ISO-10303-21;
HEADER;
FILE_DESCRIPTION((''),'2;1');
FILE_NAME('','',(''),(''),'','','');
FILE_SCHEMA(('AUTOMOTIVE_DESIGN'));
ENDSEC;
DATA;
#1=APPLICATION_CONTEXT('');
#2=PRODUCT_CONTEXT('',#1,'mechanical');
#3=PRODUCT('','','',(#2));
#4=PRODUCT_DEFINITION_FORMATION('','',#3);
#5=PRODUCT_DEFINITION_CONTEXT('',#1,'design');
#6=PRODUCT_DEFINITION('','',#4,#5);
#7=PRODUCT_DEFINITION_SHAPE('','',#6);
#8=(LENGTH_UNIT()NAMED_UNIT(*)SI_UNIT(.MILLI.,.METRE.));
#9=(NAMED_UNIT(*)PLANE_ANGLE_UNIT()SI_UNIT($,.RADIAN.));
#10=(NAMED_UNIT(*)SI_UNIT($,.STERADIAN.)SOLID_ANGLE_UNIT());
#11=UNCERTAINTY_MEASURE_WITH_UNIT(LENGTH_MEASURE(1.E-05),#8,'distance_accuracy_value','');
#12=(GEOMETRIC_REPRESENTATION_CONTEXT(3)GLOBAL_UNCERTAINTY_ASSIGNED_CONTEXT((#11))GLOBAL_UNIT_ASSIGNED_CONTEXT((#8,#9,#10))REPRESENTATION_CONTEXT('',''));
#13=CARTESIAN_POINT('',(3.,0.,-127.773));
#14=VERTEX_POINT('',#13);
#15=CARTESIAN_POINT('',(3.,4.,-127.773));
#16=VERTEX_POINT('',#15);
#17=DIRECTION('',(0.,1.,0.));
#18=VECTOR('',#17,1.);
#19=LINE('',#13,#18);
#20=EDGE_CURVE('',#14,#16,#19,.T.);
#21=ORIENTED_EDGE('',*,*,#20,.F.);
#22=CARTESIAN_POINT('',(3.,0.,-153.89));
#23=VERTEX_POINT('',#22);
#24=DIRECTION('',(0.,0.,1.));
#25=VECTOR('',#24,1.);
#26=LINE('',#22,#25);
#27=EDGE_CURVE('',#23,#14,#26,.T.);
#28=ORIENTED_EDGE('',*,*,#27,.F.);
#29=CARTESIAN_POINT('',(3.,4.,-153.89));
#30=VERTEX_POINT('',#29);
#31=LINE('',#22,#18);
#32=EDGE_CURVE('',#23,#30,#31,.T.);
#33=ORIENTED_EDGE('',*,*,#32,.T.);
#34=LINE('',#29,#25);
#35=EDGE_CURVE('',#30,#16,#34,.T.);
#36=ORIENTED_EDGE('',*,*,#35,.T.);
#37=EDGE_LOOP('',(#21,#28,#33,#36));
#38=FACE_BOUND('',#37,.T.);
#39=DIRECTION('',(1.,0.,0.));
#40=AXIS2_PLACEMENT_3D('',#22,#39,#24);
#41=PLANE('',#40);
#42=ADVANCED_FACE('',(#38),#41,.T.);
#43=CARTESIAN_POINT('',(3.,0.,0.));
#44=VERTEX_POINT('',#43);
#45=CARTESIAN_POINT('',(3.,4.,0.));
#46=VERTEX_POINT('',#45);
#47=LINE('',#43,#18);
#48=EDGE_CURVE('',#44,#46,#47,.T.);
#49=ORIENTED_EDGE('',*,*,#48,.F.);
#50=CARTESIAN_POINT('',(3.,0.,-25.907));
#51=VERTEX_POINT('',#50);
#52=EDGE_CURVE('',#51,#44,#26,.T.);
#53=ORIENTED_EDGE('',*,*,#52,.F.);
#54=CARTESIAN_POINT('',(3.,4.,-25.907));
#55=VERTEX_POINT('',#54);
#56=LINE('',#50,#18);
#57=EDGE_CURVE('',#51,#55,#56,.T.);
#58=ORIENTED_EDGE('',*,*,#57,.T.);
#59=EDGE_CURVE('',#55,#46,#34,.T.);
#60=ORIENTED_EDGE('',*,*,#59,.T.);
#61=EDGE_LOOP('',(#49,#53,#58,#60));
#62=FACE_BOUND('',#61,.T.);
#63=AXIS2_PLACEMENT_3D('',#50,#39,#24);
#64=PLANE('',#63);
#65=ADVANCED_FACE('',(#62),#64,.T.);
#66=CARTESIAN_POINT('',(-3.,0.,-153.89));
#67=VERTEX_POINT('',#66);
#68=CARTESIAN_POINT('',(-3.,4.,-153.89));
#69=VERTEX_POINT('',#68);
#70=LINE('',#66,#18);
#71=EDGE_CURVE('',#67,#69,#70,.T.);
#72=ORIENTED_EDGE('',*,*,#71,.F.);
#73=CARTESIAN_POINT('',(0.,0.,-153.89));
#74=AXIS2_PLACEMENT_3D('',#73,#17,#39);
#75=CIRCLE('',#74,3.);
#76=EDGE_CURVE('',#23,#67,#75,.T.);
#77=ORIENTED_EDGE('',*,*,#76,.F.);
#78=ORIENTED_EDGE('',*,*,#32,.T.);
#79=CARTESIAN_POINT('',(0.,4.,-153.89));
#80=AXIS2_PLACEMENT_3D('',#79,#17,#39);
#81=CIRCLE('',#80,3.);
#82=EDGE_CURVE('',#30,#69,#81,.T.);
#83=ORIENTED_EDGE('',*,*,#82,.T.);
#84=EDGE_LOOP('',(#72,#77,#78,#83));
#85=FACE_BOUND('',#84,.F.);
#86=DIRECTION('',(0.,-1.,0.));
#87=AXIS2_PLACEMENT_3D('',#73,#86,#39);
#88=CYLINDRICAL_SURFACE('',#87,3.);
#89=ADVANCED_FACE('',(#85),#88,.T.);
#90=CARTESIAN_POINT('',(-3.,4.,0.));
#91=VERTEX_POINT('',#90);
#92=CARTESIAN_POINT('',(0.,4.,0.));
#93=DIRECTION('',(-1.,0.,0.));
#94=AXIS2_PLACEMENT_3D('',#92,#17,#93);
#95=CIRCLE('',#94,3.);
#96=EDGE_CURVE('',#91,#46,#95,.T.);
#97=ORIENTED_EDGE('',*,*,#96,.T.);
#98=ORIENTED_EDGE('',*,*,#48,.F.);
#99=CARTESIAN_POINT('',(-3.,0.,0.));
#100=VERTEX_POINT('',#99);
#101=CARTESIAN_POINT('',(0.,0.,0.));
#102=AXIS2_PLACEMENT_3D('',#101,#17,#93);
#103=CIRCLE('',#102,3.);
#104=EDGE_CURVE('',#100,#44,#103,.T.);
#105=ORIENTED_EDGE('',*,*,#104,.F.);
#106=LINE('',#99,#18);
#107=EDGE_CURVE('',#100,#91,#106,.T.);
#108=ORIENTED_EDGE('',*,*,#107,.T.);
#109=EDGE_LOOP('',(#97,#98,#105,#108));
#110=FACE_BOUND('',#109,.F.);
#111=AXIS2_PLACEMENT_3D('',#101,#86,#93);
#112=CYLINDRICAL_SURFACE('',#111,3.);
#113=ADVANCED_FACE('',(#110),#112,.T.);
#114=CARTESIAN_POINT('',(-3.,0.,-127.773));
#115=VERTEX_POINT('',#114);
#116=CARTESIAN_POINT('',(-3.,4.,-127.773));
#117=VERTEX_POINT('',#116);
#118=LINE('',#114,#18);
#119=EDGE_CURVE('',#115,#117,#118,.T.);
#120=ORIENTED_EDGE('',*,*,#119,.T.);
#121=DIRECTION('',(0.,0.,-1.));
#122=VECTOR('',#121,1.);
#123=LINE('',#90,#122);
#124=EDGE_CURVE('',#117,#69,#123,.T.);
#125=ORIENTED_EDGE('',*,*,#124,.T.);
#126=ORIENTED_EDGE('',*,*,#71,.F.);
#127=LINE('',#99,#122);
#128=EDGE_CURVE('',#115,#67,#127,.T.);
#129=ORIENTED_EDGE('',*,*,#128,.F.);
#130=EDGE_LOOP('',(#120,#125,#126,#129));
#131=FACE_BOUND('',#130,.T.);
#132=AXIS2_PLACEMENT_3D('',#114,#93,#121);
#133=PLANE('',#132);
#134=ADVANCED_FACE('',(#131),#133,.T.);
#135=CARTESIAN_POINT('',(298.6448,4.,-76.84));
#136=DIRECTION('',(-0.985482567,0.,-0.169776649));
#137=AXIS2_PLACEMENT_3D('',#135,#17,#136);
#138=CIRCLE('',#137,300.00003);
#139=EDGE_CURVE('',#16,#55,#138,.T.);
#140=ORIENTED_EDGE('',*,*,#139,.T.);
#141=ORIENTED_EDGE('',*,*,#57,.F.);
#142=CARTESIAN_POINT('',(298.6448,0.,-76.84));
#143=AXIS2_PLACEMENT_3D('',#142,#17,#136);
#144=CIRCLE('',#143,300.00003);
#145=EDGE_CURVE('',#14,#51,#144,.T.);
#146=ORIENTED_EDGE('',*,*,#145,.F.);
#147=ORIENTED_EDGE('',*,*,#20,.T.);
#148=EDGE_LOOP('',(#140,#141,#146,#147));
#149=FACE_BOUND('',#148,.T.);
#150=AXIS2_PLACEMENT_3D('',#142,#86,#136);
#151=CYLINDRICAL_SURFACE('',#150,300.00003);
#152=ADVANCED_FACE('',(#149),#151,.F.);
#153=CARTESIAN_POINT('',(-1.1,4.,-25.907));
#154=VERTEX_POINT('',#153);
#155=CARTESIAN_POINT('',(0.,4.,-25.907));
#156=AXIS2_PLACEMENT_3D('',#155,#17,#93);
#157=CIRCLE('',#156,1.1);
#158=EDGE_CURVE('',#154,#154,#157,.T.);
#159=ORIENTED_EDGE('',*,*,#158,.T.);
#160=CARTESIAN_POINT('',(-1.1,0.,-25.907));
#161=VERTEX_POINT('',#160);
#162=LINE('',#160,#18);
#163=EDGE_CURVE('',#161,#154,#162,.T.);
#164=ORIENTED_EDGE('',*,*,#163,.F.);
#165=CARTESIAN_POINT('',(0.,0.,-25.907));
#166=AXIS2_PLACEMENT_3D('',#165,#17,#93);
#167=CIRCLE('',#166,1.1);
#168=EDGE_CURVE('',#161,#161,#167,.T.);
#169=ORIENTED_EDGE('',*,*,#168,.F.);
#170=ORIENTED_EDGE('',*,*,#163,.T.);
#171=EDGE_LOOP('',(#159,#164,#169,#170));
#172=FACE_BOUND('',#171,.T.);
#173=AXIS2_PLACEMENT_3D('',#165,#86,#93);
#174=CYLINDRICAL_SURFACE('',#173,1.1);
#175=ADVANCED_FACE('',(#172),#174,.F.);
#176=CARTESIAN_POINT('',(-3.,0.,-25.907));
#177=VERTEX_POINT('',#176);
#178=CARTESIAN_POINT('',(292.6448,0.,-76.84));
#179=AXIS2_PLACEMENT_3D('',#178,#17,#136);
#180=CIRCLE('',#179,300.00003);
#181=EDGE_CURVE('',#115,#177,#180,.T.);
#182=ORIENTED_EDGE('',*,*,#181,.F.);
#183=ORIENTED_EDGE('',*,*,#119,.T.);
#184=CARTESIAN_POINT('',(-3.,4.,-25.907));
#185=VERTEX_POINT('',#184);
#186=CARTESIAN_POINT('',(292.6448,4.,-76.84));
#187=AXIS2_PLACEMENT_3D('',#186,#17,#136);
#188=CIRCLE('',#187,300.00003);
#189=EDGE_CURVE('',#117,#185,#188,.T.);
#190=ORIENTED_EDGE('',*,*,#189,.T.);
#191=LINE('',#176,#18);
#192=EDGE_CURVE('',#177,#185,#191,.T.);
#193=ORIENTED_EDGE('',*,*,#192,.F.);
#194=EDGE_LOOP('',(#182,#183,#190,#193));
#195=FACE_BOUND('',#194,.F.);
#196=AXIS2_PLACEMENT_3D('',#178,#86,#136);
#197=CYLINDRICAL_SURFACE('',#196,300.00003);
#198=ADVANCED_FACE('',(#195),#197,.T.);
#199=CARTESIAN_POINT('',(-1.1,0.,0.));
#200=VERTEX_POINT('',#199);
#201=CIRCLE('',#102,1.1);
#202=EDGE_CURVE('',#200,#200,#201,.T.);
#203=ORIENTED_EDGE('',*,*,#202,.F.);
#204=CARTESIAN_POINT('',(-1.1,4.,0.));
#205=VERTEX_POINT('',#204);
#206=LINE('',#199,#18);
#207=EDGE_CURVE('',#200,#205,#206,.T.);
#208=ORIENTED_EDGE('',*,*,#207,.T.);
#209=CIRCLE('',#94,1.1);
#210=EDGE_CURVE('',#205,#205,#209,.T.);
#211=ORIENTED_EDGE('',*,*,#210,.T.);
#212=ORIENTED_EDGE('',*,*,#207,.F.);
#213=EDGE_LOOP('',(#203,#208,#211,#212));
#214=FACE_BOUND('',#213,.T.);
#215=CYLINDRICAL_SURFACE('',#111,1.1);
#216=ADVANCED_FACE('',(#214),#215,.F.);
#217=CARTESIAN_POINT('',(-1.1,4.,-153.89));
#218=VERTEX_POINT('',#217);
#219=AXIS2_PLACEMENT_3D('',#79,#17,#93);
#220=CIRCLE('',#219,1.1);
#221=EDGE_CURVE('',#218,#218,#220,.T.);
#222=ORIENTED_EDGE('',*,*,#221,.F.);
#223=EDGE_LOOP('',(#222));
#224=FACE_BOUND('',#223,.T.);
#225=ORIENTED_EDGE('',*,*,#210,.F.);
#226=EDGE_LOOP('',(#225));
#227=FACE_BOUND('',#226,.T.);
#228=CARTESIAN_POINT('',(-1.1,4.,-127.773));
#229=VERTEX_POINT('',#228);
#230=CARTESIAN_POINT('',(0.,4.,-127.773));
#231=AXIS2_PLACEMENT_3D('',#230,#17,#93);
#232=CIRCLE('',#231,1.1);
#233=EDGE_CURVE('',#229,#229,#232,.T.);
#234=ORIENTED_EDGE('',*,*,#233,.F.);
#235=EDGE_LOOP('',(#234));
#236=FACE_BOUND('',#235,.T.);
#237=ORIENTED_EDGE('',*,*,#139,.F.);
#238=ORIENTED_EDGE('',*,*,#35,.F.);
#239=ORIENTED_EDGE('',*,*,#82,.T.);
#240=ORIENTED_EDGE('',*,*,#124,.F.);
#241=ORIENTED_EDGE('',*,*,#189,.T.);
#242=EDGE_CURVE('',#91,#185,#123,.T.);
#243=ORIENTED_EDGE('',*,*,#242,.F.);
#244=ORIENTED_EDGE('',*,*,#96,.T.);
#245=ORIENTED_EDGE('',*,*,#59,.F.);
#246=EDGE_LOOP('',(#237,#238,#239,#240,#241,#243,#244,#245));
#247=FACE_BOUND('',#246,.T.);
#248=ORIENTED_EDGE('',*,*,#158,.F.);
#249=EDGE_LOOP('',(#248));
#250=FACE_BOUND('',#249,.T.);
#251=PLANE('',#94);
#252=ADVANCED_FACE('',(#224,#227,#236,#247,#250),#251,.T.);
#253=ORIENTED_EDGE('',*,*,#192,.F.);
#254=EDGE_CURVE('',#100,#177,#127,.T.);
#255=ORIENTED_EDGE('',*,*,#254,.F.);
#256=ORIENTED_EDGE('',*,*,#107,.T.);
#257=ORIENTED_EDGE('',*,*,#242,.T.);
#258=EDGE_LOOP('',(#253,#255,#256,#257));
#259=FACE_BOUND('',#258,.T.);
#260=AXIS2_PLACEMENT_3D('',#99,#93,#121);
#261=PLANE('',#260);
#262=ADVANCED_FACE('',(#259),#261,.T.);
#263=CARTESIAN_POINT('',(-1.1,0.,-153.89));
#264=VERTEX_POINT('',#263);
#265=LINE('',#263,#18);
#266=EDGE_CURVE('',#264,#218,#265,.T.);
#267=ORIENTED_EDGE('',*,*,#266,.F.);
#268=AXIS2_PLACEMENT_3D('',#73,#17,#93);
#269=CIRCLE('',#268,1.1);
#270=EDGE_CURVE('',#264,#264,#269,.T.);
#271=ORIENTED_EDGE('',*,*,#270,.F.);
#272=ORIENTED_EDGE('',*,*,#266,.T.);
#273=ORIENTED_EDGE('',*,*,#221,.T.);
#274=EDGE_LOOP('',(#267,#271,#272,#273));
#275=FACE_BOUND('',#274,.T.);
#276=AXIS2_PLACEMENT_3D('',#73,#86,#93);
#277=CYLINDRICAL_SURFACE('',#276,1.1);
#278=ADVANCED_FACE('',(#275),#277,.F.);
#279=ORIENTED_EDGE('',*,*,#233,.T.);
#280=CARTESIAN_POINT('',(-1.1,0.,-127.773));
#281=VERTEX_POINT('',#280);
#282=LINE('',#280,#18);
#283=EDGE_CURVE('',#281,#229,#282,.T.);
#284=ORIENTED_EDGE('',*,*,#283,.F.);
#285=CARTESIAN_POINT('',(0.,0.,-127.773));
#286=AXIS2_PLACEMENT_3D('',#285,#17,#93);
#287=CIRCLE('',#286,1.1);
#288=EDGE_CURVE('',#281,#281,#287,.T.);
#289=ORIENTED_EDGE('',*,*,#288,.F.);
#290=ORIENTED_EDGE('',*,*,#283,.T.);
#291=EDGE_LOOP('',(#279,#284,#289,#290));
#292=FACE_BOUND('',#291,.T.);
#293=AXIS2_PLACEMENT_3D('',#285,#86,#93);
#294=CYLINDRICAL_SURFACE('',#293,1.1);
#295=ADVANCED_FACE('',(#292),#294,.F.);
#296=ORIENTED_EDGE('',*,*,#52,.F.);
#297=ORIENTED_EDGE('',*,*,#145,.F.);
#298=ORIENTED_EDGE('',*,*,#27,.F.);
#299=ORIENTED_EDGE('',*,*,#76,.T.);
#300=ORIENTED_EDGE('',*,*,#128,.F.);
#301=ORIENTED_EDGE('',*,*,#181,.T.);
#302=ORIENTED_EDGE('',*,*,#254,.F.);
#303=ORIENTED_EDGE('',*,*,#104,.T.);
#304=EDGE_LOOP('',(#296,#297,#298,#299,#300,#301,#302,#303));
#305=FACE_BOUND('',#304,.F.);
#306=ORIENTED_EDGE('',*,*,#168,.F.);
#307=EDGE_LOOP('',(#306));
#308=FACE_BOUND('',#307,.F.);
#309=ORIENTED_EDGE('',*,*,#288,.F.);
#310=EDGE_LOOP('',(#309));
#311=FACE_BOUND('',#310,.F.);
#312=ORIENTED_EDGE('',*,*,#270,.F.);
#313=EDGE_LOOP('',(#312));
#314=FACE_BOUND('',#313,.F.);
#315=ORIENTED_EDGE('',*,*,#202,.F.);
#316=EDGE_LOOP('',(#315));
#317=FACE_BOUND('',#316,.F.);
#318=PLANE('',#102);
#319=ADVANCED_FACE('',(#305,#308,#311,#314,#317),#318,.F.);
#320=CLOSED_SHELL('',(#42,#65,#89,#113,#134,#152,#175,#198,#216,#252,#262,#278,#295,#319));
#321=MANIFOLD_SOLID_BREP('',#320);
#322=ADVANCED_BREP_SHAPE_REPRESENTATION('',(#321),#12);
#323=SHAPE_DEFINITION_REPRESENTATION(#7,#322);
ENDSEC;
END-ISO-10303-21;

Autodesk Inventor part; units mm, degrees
ref_plane "YZ Plane" through (0, 0, 0) normal (1, 0, 0) x (0, 1, 0)
ref_plane "XZ Plane" through (0, 0, 0) normal (0, 1, 0) x (-1, 0, 0)
ref_plane "XY Plane" through (0, 0, 0) normal (0, 0, 1) x (1, 0, 0)
sketch "Sketch1" plane through (0, 0, 0) normal (0, 1, 0) x (-1, 0, 0)
  line L0 (0, 0) -> (0, -153.89) construction
  line L1 (3, 0) -> (3, -153.89)
  line L2 (-3, -153.89) -> (-3, 0)
  arc A0 (3, 0) -> (-3, 0) centre (0, 0) ccw
  arc A1 (-3, -153.89) -> (3, -153.89) centre (0, -153.89) ccw
  circle A2 centre (0, 0) radius 1.1
  circle A3 centre (0, -153.89) radius 1.1
  circle A4 centre (0, -25.907) radius 1.1
  circle A5 centre (0, -127.773) radius 1.1
  arc A6 (3, -127.773) -> (3, -25.907) centre (-292.6448, -76.84) ccw
  arc A7 (-3, -127.773) -> (-3, -25.907) centre (-298.6448, -76.84) ccw
  point P0 (0, -76.945)
  dimension "d0" = 2.2
  dimension "d1" = 2.2
  dimension "d2" = 6
  dimension "d3" = 153.89
  dimension "d10" = 2.2
  dimension "d11" = 25.907
  dimension "d12" = 2.2
  dimension "d13" = 127.773
  dimension "d16" = 300
  dimension "d17" = 300
extrude "Extrusion1" add sketch "Sketch1" along normal blind 4 contours L1 A1 L2 A7 A0 | A6 L1
